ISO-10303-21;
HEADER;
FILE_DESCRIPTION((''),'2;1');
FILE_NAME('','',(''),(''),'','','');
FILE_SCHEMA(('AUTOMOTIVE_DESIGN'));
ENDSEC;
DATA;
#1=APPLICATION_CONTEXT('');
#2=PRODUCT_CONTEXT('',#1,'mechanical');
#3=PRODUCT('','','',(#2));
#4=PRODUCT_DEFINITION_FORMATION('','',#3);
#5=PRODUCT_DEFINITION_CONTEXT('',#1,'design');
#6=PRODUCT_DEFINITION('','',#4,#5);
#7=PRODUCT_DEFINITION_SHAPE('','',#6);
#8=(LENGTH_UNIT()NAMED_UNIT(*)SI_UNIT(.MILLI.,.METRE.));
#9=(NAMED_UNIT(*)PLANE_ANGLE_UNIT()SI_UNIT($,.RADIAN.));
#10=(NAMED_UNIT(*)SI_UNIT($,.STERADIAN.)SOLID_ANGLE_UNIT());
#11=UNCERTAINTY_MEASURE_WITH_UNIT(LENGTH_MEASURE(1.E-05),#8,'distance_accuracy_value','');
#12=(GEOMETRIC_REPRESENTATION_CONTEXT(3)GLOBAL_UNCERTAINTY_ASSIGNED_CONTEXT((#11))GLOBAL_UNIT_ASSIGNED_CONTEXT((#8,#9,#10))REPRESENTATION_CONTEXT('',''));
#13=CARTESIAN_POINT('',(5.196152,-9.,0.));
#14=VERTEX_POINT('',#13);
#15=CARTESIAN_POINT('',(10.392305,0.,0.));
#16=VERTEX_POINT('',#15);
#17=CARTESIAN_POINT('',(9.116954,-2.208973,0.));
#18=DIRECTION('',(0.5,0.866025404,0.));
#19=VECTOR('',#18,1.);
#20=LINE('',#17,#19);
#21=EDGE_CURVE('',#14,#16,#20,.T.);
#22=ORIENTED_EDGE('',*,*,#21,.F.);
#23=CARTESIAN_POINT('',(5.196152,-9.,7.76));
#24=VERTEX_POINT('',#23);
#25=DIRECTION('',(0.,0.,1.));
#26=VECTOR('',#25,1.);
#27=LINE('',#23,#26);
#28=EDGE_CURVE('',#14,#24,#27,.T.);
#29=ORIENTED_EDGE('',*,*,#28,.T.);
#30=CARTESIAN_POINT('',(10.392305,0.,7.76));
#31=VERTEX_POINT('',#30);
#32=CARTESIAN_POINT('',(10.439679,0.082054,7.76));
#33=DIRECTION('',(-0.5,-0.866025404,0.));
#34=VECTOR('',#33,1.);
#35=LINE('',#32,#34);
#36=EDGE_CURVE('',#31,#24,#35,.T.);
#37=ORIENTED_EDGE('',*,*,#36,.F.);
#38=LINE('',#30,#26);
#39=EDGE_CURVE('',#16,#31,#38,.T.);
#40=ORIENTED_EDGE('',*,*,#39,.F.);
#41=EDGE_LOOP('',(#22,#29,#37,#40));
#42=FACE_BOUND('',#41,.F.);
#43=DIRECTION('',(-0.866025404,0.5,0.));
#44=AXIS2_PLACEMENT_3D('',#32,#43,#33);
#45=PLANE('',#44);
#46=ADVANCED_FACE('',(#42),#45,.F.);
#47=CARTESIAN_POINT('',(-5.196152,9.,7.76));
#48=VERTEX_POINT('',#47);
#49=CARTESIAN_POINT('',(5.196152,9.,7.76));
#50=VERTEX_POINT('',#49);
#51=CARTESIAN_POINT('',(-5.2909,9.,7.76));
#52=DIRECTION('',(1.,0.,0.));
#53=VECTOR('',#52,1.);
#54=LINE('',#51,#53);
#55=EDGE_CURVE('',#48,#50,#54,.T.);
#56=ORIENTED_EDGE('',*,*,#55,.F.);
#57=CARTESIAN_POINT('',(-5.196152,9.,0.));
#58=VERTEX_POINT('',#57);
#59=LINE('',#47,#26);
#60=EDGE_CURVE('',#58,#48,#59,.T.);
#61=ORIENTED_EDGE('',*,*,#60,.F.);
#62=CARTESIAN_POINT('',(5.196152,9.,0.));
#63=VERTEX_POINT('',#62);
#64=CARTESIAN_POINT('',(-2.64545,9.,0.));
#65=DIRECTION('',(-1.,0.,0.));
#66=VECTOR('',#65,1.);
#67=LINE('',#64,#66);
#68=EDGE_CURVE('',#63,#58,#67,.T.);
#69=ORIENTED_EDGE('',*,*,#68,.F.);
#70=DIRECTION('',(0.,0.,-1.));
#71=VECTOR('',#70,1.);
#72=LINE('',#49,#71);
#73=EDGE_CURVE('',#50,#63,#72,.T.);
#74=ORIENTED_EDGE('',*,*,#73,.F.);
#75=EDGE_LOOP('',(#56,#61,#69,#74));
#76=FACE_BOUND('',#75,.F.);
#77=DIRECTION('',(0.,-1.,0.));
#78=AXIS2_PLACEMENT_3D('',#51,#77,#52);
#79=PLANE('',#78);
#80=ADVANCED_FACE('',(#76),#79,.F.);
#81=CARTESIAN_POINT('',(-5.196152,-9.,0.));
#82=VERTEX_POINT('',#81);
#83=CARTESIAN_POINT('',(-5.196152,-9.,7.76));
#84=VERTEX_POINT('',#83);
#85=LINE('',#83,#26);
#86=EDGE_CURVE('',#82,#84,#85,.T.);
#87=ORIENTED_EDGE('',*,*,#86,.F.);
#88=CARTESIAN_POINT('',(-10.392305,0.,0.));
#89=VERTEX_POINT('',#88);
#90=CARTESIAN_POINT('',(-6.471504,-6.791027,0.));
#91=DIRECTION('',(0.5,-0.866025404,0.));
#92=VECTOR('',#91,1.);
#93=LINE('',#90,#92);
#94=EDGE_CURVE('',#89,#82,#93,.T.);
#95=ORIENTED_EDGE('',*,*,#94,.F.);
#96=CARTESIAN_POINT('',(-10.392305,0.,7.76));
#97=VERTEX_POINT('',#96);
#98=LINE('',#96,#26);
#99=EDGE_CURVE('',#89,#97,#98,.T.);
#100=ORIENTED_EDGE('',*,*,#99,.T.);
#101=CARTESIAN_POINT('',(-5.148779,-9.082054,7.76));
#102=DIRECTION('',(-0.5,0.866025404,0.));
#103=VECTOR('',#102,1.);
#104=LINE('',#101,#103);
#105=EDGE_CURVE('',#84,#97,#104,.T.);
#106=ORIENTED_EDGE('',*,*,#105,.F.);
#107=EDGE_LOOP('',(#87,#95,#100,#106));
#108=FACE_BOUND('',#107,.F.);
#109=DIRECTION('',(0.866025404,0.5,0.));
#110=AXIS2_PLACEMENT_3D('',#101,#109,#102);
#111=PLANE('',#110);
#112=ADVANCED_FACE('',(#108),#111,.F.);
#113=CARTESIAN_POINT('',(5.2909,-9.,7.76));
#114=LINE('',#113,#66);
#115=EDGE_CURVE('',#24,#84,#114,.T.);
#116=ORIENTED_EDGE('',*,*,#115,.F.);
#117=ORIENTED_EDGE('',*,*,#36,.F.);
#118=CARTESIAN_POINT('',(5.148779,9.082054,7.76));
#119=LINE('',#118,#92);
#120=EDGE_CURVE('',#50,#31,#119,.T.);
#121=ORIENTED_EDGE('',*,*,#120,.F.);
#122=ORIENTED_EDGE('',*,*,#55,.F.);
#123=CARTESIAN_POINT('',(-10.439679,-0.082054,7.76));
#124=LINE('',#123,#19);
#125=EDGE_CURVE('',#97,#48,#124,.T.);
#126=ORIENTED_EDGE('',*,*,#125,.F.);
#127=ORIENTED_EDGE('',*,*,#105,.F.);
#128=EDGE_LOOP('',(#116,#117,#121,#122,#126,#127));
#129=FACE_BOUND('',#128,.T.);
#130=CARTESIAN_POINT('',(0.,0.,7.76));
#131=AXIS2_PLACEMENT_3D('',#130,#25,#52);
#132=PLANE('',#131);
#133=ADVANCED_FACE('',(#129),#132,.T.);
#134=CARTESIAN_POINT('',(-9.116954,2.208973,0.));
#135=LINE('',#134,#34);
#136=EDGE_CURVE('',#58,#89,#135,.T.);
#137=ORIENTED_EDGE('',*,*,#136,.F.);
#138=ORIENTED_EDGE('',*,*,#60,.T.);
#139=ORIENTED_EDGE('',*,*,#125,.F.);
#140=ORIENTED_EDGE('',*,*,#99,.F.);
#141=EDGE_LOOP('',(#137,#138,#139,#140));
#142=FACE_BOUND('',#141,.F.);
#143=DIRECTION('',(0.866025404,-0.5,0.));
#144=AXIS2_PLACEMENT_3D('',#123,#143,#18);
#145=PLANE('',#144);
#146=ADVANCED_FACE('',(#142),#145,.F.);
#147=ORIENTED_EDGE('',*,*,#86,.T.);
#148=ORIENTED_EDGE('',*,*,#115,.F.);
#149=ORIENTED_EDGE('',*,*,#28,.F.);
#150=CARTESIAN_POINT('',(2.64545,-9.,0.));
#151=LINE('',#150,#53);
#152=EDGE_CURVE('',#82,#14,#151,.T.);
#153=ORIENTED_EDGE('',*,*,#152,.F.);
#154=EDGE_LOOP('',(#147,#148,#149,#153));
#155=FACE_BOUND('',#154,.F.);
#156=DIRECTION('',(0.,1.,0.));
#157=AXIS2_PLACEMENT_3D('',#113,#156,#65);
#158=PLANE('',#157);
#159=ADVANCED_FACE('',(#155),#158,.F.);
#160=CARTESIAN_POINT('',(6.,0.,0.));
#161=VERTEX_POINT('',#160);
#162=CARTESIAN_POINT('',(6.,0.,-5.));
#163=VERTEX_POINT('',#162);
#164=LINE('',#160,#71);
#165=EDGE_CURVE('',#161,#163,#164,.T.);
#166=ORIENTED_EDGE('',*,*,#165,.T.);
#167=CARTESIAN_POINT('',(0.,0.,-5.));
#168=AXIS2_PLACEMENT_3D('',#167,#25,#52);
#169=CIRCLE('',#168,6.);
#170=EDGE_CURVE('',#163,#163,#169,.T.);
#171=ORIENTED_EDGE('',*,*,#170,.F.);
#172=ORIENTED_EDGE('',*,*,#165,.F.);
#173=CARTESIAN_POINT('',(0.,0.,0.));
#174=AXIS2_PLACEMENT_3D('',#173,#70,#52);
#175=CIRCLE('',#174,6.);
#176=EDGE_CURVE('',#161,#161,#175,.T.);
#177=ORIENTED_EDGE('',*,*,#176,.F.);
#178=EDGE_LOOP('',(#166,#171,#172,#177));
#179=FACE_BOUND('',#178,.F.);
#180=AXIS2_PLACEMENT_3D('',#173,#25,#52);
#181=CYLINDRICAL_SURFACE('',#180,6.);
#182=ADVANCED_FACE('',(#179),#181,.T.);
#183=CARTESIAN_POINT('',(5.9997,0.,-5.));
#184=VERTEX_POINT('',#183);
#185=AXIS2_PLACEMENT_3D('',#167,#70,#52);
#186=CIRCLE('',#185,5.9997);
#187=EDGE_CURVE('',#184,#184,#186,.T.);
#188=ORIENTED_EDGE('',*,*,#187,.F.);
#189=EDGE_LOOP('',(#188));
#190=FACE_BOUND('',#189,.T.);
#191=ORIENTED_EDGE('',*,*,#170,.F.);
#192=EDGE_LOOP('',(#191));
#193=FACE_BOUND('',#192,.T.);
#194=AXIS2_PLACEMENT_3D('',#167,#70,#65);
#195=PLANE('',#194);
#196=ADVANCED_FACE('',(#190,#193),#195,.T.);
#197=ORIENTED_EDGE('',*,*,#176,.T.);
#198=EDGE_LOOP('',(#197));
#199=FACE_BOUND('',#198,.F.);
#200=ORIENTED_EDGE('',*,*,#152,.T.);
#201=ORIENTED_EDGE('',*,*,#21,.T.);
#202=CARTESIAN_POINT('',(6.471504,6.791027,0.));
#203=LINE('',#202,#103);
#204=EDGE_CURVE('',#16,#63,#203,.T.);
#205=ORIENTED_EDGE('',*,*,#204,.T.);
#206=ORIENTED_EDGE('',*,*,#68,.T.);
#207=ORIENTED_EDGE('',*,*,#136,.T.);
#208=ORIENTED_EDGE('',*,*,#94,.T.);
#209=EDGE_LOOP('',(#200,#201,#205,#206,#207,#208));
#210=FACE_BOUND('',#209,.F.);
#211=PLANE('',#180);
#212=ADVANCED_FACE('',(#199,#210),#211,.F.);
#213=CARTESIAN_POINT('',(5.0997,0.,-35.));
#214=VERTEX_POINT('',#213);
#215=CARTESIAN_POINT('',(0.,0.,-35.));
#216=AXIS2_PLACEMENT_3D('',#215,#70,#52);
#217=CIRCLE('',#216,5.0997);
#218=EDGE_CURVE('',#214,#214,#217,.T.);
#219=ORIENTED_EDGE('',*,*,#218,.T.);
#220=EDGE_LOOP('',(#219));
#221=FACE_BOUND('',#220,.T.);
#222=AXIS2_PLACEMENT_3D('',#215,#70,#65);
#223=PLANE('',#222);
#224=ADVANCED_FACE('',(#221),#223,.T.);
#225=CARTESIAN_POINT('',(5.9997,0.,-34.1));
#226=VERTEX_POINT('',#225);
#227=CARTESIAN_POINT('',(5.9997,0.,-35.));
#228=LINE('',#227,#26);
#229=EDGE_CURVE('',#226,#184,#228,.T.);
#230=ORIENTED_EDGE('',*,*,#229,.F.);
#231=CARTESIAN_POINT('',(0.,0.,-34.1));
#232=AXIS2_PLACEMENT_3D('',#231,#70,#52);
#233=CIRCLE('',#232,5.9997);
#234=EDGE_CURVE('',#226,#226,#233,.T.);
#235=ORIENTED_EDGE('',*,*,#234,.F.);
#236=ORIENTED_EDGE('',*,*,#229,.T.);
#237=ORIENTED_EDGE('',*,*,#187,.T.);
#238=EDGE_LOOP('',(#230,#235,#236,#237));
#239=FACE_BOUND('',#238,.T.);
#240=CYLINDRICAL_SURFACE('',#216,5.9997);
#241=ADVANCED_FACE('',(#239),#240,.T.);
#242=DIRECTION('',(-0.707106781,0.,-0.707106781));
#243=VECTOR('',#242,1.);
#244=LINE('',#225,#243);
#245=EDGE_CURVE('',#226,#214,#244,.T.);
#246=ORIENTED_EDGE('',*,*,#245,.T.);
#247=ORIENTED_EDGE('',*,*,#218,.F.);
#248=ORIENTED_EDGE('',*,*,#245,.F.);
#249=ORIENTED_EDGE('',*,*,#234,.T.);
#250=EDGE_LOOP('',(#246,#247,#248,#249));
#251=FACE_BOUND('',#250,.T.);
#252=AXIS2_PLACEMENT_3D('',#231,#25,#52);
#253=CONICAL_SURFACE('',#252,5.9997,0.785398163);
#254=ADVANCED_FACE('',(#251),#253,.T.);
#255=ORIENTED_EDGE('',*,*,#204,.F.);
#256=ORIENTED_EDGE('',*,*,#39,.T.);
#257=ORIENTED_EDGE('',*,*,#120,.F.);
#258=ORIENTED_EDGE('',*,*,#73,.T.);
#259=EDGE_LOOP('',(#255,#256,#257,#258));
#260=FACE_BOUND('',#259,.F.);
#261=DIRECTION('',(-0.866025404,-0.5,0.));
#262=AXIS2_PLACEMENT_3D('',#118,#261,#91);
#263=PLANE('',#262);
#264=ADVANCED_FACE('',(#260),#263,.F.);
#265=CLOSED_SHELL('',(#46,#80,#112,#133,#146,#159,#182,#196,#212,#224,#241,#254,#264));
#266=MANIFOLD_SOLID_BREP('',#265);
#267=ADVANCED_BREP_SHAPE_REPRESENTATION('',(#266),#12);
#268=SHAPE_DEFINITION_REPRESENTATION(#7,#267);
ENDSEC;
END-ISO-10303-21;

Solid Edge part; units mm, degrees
sketch "Sketch1" plane through (0, 0, 0) normal (0, 0, 1) x (1, 0, 0)
  circle A0 centre (0, 0) radius 10.44
  dimension "D1" = 20.88
extrude "Protrusion1" add sketch "Sketch1" along normal blind 7.76
sketch "Sketch2" plane through (0, 0, 0) normal (0, 0, -1) x (1, 0, 0)
  circle A0 centre (0, 0) radius 6
extrude "Protrusion2" add sketch "Sketch2" along normal blind 35
sketch "Sketch3" plane through (0, 0, -35) normal (0, 0, -1) x (1, 0, 0)
  circle A0 centre (0, 0) radius 5.9997
extrude "Cutout1" cut sketch "Sketch3" against normal blind 30 flip side to cut
chamfer "Chamfer_1" distance 0.9 angle 45 1 edges at (-5.9997, 0, -35)
sketch "Sketch4" plane through (0, 0, 7.76) normal (0, 0, 1) x (1, 0, 0)
  line L0 (-5.2909, 9) -> (5.2909, 9)
  dimension "D1" = 18
extrude "Cutout2" cut sketch "Sketch4" against normal up to next material side at (0, 9.05, 7.76)
pattern_circular "Pattern1" count 6 over 360 about axis through (0, 0, 7.76) along (0, 0, 1) of "Cutout2"
properties part number "24102479"
